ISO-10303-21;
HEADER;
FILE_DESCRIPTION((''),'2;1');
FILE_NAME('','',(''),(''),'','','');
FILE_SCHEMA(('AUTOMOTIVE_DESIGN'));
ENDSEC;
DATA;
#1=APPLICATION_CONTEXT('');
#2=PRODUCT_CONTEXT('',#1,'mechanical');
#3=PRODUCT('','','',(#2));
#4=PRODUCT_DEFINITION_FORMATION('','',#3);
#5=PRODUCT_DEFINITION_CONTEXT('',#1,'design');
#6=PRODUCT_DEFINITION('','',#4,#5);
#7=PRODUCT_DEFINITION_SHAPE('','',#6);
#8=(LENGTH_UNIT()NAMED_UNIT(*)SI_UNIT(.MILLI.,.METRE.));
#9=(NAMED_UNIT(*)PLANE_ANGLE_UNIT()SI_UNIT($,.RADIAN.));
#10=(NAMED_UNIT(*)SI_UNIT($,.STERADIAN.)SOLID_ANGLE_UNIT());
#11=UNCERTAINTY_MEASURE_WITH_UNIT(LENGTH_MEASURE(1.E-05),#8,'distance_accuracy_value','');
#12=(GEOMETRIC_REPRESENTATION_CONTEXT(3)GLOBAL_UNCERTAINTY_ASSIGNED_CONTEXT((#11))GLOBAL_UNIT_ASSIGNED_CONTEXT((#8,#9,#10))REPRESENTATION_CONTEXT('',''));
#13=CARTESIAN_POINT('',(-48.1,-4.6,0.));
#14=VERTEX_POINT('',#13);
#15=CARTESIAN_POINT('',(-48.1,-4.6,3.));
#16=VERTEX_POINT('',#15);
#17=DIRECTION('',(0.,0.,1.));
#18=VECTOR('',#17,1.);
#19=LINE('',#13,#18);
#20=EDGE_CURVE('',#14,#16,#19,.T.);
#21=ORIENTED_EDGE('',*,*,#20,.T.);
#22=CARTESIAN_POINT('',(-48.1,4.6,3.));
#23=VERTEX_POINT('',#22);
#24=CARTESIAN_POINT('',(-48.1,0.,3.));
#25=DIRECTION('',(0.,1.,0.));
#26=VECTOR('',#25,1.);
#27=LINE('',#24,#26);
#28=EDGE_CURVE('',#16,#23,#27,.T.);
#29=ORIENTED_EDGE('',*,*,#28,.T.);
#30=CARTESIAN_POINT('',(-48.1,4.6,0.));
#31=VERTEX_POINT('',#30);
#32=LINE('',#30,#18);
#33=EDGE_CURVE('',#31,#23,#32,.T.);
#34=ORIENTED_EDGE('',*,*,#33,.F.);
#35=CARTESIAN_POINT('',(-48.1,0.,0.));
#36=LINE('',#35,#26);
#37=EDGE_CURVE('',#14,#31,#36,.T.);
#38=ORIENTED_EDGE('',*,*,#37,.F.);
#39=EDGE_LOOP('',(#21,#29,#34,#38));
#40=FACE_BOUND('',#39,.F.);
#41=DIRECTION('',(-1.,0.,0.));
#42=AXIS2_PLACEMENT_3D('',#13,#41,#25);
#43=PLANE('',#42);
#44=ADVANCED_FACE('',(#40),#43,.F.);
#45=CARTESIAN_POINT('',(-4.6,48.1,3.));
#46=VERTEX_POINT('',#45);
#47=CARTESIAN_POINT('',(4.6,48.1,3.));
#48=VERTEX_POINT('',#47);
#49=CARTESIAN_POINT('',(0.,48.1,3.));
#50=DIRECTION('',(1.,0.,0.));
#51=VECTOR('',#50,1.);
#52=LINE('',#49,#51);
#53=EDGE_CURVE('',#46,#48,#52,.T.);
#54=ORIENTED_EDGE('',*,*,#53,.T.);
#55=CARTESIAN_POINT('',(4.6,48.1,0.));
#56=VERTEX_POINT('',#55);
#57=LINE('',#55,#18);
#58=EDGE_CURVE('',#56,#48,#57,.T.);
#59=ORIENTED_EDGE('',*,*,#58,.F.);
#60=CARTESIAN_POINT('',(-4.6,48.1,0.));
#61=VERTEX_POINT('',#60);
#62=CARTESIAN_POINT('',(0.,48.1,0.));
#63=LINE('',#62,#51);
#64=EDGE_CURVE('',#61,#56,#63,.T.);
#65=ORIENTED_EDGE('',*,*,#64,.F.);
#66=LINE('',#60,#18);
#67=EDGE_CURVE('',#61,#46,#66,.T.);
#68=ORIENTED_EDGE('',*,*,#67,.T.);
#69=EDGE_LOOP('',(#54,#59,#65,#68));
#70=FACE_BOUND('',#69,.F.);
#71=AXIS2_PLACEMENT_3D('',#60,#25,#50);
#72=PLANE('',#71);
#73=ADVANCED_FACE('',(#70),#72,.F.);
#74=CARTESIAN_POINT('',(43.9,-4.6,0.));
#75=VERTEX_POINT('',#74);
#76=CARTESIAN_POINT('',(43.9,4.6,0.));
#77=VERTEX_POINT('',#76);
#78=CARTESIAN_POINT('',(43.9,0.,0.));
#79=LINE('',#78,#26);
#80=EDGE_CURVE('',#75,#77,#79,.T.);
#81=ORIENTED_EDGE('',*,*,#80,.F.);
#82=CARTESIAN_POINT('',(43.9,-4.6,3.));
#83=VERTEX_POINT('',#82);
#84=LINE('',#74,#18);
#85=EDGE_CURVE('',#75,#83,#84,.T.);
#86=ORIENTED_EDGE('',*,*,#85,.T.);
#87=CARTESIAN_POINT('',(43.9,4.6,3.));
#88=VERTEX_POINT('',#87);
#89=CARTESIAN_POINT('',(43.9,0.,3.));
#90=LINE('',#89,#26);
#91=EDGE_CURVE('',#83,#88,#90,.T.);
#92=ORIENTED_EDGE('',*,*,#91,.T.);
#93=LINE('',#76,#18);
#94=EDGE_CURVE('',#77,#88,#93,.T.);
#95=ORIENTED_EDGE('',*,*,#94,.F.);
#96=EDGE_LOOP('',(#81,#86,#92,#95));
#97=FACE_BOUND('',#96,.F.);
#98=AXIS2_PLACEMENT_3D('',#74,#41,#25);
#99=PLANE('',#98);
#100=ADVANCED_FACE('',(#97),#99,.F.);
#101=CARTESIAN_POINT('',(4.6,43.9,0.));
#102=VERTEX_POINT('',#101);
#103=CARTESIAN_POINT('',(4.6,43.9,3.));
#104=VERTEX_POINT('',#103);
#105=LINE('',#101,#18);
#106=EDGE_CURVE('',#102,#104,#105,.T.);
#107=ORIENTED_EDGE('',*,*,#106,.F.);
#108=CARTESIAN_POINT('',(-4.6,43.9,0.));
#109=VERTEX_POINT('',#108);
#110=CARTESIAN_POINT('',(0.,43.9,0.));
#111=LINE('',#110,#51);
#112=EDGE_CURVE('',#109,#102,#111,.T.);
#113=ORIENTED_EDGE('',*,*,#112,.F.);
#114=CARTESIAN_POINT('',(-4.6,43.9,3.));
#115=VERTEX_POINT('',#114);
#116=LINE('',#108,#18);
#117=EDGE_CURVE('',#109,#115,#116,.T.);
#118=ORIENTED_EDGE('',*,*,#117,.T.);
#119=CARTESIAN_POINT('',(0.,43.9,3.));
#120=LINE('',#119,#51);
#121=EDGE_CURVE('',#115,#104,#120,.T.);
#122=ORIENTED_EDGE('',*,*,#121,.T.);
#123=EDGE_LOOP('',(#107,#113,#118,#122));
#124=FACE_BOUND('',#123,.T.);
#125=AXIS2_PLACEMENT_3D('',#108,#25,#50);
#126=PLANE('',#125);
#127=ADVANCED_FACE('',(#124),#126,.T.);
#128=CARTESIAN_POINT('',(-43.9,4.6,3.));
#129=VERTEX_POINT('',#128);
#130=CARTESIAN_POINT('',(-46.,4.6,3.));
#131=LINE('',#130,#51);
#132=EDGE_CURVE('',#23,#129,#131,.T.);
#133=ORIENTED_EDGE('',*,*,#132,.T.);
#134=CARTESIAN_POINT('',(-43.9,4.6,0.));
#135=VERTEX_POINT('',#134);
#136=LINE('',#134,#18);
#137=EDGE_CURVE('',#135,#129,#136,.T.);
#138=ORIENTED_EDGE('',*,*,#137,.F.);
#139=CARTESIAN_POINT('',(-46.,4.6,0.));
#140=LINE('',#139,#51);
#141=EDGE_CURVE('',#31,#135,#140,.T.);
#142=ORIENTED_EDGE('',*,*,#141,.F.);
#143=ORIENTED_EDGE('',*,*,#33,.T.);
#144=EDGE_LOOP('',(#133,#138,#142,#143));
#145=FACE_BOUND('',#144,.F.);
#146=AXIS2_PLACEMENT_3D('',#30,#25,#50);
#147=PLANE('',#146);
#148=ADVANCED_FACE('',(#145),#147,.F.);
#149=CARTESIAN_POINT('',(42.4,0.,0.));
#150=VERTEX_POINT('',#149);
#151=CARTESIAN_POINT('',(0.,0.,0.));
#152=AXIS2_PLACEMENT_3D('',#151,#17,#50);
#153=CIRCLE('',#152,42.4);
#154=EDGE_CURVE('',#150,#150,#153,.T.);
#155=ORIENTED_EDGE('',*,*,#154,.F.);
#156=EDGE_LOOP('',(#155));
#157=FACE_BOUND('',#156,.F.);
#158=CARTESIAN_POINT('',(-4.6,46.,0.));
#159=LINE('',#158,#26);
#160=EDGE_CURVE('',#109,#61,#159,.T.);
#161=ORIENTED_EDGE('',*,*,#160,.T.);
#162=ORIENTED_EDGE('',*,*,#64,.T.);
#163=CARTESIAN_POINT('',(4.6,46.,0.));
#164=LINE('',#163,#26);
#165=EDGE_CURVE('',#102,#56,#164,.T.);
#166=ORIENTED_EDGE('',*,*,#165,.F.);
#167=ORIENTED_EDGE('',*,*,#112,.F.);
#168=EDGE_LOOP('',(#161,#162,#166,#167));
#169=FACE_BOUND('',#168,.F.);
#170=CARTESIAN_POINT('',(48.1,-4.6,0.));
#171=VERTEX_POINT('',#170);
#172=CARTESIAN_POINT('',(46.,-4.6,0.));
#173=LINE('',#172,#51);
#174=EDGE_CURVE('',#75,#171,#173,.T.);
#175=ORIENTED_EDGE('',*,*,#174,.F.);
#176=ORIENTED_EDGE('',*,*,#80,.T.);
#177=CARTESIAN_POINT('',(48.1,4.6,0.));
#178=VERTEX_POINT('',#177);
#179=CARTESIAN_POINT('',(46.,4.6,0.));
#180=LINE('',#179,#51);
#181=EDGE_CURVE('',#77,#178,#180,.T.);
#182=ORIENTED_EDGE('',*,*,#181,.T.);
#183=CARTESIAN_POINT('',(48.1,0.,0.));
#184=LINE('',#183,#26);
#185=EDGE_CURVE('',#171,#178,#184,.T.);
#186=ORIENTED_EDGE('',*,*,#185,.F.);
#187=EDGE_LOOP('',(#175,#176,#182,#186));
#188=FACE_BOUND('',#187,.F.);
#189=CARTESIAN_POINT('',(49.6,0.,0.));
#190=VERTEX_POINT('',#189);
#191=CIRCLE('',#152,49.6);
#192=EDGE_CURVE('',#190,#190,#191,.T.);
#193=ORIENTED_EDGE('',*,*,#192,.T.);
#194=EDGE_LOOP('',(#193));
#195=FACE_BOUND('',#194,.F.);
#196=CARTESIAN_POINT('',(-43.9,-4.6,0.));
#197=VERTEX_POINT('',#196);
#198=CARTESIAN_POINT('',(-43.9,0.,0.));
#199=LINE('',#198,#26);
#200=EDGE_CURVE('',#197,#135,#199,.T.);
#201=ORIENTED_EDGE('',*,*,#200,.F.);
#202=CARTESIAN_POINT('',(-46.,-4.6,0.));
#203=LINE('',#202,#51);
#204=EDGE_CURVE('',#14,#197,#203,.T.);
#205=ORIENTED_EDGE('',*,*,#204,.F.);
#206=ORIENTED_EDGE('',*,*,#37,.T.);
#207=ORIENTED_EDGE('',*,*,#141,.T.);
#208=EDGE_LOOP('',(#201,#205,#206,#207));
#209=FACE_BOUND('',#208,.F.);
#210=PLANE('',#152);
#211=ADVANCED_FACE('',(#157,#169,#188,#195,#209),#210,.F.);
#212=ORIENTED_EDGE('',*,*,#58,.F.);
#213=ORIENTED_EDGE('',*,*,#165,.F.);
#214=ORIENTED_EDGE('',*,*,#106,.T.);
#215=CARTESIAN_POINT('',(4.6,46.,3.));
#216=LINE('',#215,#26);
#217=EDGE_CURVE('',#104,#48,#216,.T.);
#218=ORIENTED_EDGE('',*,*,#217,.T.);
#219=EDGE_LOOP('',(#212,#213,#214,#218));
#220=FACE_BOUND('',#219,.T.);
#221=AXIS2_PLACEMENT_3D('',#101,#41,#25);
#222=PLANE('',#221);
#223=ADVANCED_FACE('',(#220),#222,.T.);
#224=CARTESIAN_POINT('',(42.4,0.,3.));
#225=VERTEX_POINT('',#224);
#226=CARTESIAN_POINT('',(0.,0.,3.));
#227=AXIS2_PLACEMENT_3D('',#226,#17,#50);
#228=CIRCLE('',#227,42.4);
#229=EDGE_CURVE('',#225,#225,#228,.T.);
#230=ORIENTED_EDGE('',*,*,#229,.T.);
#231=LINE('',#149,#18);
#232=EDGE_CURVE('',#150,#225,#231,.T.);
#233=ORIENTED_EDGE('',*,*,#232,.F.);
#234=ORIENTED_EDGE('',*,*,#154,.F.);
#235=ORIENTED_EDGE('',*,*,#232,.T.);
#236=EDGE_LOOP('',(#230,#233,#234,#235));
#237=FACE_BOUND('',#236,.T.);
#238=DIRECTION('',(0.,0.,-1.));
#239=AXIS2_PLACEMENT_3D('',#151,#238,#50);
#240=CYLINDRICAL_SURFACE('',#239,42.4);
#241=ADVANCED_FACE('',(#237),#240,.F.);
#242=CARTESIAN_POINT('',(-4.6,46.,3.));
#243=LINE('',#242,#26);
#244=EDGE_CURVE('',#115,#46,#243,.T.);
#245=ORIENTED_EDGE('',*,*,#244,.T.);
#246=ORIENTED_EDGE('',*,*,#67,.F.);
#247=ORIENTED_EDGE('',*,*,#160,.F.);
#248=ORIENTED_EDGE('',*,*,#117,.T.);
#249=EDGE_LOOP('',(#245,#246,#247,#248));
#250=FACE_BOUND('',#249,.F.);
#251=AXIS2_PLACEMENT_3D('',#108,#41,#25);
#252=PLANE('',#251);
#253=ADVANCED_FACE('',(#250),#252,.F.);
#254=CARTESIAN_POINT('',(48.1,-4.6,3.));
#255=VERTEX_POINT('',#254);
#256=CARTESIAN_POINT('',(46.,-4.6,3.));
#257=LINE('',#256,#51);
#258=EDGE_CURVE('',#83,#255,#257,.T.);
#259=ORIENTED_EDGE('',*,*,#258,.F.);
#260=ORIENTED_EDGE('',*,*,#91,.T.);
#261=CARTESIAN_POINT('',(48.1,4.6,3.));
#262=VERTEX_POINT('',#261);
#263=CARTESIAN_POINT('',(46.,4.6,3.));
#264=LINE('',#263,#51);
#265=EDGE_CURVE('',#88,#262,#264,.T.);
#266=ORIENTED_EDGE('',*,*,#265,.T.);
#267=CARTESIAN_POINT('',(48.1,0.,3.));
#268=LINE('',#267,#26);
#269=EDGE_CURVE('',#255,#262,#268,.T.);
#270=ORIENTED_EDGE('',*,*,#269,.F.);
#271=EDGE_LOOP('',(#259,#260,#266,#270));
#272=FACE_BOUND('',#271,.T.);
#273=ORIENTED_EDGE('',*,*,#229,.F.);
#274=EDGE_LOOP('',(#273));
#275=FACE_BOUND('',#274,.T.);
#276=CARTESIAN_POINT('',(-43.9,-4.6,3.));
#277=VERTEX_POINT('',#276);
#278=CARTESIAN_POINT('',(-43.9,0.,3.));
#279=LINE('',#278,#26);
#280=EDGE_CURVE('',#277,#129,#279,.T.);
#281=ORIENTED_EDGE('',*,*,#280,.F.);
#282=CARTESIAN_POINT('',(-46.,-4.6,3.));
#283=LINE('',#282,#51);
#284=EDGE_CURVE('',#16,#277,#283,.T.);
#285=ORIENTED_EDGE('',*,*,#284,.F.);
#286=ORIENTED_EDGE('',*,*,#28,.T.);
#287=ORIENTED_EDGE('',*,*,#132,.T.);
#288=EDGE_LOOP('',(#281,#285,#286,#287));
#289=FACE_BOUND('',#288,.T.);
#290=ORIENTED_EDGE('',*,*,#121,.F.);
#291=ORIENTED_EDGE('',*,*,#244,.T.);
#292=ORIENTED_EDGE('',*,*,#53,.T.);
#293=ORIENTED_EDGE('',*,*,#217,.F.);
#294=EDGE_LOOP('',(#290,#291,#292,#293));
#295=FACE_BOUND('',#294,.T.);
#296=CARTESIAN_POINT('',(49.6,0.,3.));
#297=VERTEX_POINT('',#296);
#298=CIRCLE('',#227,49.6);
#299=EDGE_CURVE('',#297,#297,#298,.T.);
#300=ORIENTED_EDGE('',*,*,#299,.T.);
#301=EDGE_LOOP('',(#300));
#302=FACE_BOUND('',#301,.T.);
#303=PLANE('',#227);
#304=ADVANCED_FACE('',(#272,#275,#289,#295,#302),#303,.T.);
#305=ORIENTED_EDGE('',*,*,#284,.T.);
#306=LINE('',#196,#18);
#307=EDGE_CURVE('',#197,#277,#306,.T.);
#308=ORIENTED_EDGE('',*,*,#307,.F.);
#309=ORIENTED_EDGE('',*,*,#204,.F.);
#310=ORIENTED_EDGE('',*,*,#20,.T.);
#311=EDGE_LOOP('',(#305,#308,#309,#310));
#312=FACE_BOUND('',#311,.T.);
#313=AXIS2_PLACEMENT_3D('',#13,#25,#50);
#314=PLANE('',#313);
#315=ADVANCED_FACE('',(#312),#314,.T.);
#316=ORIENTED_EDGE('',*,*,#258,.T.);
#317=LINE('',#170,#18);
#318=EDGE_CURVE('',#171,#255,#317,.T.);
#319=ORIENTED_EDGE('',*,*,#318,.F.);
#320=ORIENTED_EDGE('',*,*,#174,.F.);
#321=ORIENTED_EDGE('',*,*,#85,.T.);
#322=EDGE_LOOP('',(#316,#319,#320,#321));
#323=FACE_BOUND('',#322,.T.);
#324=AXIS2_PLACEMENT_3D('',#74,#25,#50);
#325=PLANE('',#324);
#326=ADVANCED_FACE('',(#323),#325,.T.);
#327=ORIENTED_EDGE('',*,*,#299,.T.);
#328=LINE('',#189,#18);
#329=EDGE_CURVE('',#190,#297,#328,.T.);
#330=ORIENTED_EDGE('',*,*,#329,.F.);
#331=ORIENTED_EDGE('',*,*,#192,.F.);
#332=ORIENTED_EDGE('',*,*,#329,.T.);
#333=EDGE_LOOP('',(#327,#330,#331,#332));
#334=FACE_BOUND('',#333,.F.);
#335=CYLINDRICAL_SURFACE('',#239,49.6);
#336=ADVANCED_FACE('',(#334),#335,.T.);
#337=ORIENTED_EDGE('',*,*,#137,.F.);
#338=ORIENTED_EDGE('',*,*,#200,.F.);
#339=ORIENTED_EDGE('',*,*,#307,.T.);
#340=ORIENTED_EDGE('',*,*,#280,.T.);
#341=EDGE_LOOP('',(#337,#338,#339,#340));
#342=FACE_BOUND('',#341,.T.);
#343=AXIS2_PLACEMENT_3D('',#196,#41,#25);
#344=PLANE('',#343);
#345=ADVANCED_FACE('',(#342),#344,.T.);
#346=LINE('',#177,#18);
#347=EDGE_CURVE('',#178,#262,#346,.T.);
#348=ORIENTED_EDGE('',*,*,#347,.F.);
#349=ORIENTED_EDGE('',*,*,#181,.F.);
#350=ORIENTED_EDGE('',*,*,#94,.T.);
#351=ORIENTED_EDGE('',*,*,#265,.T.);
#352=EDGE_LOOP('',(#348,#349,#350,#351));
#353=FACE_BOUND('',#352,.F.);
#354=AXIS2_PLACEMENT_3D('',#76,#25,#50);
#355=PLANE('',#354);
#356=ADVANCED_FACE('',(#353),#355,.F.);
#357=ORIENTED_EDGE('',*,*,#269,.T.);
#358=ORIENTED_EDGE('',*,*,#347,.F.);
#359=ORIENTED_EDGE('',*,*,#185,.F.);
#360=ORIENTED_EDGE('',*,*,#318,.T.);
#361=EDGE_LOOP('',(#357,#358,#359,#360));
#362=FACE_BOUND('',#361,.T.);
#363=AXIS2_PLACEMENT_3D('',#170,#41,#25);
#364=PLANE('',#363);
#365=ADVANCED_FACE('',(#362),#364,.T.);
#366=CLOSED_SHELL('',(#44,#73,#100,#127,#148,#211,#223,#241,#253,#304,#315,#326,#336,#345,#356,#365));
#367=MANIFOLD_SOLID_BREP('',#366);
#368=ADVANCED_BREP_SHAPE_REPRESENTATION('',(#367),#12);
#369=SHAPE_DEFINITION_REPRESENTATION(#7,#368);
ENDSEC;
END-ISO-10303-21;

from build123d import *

# Parameters (mm, degrees)
F0_R     = 49.6
F0_W     = 4.2
F0_H     = 9.2
F0_R_2   = 42.4
F0_W_2   = 9.2
F0_H_2   = 4.2
F1_DEPTH = 3


with BuildPart() as f1:
    # F0 (on Top) → F1 (new body)
    with BuildSketch(Plane.XY):
        Circle(F0_R)
        with Locations((-46, 0)):
            Rectangle(F0_W, F0_H, mode=Mode.SUBTRACT)
        Circle(F0_R_2, mode=Mode.SUBTRACT)
        with Locations((46, 0)):
            Rectangle(F0_W, F0_H, mode=Mode.SUBTRACT)
        with Locations((0, 46)):
            Rectangle(F0_W_2, F0_H_2, mode=Mode.SUBTRACT)
    extrude(amount=F1_DEPTH)


solid = f1.part
